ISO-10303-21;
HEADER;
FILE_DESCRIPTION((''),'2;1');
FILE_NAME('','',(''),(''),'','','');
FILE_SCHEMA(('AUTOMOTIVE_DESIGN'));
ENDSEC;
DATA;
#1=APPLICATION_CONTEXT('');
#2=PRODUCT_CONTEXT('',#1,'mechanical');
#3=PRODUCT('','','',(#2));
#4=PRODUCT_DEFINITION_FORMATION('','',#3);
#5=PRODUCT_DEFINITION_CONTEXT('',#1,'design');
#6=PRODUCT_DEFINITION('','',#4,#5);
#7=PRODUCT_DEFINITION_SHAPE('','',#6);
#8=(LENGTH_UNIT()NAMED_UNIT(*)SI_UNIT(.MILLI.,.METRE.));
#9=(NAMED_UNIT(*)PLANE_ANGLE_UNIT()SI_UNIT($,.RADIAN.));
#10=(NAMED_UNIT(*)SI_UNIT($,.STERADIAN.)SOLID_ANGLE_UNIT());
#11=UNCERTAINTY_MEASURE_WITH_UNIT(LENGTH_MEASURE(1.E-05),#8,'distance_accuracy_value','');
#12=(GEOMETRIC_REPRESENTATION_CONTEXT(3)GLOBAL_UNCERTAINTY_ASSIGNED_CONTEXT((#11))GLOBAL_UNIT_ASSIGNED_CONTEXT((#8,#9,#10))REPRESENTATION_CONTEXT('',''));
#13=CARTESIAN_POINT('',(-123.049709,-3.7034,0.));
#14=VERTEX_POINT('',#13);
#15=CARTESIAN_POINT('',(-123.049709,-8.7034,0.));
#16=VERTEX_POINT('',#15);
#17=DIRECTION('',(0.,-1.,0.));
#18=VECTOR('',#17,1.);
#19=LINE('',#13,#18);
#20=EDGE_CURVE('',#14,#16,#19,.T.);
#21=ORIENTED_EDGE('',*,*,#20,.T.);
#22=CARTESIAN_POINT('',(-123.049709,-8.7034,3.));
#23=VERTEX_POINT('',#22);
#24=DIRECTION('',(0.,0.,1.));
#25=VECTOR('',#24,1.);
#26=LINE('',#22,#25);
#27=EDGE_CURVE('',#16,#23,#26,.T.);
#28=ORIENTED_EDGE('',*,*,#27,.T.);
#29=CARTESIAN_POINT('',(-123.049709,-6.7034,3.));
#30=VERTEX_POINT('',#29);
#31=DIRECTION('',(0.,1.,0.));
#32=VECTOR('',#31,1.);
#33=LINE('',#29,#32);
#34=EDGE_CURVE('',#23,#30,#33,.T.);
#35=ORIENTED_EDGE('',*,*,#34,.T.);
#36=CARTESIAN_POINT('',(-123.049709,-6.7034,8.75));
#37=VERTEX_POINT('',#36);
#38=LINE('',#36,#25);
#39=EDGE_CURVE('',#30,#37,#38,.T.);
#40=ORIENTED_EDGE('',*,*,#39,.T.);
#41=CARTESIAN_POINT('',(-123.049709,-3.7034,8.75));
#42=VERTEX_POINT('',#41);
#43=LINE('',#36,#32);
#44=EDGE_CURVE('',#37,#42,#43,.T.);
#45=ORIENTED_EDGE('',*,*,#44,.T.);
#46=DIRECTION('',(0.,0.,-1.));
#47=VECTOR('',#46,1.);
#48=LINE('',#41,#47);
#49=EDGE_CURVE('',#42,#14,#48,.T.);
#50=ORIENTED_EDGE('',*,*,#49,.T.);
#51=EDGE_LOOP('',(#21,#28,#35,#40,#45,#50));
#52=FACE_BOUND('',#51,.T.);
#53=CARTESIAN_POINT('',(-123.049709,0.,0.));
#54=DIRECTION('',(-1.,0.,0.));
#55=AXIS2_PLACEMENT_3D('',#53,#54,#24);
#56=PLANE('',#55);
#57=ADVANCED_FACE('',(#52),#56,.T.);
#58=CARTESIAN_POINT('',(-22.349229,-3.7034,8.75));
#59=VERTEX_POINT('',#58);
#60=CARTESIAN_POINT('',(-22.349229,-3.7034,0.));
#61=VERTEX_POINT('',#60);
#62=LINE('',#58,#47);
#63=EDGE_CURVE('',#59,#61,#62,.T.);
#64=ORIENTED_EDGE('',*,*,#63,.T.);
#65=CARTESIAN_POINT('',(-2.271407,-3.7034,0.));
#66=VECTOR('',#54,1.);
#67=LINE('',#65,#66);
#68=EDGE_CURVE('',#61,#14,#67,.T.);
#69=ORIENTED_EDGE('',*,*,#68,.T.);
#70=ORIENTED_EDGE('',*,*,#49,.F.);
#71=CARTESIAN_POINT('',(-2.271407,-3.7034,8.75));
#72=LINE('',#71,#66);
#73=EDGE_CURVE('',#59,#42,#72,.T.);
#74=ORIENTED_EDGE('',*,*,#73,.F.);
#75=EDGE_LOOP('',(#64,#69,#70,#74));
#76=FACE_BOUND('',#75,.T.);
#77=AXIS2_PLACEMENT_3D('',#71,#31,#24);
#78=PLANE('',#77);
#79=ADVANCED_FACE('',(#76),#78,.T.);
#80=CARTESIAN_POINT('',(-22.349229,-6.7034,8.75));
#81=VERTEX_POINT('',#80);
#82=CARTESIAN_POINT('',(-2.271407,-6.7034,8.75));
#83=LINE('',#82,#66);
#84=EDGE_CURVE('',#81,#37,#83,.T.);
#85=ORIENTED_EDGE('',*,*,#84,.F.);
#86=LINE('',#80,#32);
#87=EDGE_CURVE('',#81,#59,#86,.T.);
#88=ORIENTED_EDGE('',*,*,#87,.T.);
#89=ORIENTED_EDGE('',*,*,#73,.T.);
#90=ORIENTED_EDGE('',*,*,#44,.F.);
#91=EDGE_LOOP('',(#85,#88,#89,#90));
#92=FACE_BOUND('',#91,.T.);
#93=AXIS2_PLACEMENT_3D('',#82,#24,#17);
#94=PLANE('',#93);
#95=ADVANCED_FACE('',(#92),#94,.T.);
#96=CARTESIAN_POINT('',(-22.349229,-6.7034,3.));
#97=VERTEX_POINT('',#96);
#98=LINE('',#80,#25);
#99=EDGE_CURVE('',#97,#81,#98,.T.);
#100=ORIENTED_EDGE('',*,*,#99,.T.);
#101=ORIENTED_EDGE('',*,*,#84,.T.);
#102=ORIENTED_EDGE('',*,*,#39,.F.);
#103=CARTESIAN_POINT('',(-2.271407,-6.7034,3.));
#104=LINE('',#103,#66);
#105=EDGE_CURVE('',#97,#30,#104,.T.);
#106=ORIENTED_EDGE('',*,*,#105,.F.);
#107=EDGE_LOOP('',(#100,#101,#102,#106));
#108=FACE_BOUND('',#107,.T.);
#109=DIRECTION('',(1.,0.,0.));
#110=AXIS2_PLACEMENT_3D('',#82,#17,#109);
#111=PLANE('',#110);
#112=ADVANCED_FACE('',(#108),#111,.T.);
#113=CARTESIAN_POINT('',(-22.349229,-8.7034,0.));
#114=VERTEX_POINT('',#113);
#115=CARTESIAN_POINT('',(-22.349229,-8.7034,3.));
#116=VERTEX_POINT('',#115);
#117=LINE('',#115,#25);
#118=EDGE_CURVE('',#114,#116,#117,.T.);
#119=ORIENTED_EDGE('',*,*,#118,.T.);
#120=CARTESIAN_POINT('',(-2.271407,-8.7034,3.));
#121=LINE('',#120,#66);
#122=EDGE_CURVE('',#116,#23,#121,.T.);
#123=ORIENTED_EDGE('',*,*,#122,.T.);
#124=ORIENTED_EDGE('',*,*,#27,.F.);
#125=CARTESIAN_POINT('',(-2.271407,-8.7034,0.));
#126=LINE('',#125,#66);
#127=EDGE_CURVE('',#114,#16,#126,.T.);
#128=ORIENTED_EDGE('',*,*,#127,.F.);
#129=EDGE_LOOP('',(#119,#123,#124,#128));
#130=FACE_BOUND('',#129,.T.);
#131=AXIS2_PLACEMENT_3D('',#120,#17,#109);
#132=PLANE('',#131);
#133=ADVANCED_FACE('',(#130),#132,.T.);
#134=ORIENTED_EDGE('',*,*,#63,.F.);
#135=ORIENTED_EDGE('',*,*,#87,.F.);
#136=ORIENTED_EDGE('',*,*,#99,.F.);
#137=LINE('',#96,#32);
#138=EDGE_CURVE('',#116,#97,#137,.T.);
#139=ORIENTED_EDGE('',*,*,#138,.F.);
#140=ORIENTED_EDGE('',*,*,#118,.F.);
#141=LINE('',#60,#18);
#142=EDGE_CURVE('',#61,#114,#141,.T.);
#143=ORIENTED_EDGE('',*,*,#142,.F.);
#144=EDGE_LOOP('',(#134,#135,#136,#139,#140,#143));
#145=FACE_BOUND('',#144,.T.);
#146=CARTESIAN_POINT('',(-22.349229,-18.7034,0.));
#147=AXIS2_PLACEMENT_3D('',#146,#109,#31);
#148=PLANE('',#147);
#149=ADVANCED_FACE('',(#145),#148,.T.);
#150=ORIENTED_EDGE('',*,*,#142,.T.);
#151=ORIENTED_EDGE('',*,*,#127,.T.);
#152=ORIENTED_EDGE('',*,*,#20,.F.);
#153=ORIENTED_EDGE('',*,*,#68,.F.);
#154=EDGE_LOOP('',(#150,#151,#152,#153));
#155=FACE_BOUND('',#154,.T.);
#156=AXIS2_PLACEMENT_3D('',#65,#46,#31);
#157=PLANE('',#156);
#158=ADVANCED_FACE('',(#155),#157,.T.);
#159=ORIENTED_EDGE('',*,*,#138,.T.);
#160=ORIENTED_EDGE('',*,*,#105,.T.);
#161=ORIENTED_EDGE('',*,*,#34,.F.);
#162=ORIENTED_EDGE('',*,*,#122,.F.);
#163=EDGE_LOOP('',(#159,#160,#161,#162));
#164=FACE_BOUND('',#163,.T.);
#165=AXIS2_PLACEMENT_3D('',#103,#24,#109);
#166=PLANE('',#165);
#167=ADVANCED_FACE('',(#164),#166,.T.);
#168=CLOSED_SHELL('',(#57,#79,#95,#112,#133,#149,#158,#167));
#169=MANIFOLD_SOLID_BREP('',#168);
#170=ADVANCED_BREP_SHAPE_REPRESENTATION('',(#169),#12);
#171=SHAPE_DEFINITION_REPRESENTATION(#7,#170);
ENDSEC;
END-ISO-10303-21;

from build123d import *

# Parameters (mm, degrees)
EXTRUDE_1_DEPTH = 100.70048


with BuildPart() as part:
    # 草图2 → 凸台-拉伸1 (new body)
    with BuildSketch(Plane.ZY.offset(123.049709027)):
        Polygon((0, -3.703400415), (0, -8.703400415), (3, -8.703400415), (3, -6.703400415), (8.75, -6.703400415), (8.75, -3.703400415), align=None)
    extrude(amount=-EXTRUDE_1_DEPTH)


solid = part.part
